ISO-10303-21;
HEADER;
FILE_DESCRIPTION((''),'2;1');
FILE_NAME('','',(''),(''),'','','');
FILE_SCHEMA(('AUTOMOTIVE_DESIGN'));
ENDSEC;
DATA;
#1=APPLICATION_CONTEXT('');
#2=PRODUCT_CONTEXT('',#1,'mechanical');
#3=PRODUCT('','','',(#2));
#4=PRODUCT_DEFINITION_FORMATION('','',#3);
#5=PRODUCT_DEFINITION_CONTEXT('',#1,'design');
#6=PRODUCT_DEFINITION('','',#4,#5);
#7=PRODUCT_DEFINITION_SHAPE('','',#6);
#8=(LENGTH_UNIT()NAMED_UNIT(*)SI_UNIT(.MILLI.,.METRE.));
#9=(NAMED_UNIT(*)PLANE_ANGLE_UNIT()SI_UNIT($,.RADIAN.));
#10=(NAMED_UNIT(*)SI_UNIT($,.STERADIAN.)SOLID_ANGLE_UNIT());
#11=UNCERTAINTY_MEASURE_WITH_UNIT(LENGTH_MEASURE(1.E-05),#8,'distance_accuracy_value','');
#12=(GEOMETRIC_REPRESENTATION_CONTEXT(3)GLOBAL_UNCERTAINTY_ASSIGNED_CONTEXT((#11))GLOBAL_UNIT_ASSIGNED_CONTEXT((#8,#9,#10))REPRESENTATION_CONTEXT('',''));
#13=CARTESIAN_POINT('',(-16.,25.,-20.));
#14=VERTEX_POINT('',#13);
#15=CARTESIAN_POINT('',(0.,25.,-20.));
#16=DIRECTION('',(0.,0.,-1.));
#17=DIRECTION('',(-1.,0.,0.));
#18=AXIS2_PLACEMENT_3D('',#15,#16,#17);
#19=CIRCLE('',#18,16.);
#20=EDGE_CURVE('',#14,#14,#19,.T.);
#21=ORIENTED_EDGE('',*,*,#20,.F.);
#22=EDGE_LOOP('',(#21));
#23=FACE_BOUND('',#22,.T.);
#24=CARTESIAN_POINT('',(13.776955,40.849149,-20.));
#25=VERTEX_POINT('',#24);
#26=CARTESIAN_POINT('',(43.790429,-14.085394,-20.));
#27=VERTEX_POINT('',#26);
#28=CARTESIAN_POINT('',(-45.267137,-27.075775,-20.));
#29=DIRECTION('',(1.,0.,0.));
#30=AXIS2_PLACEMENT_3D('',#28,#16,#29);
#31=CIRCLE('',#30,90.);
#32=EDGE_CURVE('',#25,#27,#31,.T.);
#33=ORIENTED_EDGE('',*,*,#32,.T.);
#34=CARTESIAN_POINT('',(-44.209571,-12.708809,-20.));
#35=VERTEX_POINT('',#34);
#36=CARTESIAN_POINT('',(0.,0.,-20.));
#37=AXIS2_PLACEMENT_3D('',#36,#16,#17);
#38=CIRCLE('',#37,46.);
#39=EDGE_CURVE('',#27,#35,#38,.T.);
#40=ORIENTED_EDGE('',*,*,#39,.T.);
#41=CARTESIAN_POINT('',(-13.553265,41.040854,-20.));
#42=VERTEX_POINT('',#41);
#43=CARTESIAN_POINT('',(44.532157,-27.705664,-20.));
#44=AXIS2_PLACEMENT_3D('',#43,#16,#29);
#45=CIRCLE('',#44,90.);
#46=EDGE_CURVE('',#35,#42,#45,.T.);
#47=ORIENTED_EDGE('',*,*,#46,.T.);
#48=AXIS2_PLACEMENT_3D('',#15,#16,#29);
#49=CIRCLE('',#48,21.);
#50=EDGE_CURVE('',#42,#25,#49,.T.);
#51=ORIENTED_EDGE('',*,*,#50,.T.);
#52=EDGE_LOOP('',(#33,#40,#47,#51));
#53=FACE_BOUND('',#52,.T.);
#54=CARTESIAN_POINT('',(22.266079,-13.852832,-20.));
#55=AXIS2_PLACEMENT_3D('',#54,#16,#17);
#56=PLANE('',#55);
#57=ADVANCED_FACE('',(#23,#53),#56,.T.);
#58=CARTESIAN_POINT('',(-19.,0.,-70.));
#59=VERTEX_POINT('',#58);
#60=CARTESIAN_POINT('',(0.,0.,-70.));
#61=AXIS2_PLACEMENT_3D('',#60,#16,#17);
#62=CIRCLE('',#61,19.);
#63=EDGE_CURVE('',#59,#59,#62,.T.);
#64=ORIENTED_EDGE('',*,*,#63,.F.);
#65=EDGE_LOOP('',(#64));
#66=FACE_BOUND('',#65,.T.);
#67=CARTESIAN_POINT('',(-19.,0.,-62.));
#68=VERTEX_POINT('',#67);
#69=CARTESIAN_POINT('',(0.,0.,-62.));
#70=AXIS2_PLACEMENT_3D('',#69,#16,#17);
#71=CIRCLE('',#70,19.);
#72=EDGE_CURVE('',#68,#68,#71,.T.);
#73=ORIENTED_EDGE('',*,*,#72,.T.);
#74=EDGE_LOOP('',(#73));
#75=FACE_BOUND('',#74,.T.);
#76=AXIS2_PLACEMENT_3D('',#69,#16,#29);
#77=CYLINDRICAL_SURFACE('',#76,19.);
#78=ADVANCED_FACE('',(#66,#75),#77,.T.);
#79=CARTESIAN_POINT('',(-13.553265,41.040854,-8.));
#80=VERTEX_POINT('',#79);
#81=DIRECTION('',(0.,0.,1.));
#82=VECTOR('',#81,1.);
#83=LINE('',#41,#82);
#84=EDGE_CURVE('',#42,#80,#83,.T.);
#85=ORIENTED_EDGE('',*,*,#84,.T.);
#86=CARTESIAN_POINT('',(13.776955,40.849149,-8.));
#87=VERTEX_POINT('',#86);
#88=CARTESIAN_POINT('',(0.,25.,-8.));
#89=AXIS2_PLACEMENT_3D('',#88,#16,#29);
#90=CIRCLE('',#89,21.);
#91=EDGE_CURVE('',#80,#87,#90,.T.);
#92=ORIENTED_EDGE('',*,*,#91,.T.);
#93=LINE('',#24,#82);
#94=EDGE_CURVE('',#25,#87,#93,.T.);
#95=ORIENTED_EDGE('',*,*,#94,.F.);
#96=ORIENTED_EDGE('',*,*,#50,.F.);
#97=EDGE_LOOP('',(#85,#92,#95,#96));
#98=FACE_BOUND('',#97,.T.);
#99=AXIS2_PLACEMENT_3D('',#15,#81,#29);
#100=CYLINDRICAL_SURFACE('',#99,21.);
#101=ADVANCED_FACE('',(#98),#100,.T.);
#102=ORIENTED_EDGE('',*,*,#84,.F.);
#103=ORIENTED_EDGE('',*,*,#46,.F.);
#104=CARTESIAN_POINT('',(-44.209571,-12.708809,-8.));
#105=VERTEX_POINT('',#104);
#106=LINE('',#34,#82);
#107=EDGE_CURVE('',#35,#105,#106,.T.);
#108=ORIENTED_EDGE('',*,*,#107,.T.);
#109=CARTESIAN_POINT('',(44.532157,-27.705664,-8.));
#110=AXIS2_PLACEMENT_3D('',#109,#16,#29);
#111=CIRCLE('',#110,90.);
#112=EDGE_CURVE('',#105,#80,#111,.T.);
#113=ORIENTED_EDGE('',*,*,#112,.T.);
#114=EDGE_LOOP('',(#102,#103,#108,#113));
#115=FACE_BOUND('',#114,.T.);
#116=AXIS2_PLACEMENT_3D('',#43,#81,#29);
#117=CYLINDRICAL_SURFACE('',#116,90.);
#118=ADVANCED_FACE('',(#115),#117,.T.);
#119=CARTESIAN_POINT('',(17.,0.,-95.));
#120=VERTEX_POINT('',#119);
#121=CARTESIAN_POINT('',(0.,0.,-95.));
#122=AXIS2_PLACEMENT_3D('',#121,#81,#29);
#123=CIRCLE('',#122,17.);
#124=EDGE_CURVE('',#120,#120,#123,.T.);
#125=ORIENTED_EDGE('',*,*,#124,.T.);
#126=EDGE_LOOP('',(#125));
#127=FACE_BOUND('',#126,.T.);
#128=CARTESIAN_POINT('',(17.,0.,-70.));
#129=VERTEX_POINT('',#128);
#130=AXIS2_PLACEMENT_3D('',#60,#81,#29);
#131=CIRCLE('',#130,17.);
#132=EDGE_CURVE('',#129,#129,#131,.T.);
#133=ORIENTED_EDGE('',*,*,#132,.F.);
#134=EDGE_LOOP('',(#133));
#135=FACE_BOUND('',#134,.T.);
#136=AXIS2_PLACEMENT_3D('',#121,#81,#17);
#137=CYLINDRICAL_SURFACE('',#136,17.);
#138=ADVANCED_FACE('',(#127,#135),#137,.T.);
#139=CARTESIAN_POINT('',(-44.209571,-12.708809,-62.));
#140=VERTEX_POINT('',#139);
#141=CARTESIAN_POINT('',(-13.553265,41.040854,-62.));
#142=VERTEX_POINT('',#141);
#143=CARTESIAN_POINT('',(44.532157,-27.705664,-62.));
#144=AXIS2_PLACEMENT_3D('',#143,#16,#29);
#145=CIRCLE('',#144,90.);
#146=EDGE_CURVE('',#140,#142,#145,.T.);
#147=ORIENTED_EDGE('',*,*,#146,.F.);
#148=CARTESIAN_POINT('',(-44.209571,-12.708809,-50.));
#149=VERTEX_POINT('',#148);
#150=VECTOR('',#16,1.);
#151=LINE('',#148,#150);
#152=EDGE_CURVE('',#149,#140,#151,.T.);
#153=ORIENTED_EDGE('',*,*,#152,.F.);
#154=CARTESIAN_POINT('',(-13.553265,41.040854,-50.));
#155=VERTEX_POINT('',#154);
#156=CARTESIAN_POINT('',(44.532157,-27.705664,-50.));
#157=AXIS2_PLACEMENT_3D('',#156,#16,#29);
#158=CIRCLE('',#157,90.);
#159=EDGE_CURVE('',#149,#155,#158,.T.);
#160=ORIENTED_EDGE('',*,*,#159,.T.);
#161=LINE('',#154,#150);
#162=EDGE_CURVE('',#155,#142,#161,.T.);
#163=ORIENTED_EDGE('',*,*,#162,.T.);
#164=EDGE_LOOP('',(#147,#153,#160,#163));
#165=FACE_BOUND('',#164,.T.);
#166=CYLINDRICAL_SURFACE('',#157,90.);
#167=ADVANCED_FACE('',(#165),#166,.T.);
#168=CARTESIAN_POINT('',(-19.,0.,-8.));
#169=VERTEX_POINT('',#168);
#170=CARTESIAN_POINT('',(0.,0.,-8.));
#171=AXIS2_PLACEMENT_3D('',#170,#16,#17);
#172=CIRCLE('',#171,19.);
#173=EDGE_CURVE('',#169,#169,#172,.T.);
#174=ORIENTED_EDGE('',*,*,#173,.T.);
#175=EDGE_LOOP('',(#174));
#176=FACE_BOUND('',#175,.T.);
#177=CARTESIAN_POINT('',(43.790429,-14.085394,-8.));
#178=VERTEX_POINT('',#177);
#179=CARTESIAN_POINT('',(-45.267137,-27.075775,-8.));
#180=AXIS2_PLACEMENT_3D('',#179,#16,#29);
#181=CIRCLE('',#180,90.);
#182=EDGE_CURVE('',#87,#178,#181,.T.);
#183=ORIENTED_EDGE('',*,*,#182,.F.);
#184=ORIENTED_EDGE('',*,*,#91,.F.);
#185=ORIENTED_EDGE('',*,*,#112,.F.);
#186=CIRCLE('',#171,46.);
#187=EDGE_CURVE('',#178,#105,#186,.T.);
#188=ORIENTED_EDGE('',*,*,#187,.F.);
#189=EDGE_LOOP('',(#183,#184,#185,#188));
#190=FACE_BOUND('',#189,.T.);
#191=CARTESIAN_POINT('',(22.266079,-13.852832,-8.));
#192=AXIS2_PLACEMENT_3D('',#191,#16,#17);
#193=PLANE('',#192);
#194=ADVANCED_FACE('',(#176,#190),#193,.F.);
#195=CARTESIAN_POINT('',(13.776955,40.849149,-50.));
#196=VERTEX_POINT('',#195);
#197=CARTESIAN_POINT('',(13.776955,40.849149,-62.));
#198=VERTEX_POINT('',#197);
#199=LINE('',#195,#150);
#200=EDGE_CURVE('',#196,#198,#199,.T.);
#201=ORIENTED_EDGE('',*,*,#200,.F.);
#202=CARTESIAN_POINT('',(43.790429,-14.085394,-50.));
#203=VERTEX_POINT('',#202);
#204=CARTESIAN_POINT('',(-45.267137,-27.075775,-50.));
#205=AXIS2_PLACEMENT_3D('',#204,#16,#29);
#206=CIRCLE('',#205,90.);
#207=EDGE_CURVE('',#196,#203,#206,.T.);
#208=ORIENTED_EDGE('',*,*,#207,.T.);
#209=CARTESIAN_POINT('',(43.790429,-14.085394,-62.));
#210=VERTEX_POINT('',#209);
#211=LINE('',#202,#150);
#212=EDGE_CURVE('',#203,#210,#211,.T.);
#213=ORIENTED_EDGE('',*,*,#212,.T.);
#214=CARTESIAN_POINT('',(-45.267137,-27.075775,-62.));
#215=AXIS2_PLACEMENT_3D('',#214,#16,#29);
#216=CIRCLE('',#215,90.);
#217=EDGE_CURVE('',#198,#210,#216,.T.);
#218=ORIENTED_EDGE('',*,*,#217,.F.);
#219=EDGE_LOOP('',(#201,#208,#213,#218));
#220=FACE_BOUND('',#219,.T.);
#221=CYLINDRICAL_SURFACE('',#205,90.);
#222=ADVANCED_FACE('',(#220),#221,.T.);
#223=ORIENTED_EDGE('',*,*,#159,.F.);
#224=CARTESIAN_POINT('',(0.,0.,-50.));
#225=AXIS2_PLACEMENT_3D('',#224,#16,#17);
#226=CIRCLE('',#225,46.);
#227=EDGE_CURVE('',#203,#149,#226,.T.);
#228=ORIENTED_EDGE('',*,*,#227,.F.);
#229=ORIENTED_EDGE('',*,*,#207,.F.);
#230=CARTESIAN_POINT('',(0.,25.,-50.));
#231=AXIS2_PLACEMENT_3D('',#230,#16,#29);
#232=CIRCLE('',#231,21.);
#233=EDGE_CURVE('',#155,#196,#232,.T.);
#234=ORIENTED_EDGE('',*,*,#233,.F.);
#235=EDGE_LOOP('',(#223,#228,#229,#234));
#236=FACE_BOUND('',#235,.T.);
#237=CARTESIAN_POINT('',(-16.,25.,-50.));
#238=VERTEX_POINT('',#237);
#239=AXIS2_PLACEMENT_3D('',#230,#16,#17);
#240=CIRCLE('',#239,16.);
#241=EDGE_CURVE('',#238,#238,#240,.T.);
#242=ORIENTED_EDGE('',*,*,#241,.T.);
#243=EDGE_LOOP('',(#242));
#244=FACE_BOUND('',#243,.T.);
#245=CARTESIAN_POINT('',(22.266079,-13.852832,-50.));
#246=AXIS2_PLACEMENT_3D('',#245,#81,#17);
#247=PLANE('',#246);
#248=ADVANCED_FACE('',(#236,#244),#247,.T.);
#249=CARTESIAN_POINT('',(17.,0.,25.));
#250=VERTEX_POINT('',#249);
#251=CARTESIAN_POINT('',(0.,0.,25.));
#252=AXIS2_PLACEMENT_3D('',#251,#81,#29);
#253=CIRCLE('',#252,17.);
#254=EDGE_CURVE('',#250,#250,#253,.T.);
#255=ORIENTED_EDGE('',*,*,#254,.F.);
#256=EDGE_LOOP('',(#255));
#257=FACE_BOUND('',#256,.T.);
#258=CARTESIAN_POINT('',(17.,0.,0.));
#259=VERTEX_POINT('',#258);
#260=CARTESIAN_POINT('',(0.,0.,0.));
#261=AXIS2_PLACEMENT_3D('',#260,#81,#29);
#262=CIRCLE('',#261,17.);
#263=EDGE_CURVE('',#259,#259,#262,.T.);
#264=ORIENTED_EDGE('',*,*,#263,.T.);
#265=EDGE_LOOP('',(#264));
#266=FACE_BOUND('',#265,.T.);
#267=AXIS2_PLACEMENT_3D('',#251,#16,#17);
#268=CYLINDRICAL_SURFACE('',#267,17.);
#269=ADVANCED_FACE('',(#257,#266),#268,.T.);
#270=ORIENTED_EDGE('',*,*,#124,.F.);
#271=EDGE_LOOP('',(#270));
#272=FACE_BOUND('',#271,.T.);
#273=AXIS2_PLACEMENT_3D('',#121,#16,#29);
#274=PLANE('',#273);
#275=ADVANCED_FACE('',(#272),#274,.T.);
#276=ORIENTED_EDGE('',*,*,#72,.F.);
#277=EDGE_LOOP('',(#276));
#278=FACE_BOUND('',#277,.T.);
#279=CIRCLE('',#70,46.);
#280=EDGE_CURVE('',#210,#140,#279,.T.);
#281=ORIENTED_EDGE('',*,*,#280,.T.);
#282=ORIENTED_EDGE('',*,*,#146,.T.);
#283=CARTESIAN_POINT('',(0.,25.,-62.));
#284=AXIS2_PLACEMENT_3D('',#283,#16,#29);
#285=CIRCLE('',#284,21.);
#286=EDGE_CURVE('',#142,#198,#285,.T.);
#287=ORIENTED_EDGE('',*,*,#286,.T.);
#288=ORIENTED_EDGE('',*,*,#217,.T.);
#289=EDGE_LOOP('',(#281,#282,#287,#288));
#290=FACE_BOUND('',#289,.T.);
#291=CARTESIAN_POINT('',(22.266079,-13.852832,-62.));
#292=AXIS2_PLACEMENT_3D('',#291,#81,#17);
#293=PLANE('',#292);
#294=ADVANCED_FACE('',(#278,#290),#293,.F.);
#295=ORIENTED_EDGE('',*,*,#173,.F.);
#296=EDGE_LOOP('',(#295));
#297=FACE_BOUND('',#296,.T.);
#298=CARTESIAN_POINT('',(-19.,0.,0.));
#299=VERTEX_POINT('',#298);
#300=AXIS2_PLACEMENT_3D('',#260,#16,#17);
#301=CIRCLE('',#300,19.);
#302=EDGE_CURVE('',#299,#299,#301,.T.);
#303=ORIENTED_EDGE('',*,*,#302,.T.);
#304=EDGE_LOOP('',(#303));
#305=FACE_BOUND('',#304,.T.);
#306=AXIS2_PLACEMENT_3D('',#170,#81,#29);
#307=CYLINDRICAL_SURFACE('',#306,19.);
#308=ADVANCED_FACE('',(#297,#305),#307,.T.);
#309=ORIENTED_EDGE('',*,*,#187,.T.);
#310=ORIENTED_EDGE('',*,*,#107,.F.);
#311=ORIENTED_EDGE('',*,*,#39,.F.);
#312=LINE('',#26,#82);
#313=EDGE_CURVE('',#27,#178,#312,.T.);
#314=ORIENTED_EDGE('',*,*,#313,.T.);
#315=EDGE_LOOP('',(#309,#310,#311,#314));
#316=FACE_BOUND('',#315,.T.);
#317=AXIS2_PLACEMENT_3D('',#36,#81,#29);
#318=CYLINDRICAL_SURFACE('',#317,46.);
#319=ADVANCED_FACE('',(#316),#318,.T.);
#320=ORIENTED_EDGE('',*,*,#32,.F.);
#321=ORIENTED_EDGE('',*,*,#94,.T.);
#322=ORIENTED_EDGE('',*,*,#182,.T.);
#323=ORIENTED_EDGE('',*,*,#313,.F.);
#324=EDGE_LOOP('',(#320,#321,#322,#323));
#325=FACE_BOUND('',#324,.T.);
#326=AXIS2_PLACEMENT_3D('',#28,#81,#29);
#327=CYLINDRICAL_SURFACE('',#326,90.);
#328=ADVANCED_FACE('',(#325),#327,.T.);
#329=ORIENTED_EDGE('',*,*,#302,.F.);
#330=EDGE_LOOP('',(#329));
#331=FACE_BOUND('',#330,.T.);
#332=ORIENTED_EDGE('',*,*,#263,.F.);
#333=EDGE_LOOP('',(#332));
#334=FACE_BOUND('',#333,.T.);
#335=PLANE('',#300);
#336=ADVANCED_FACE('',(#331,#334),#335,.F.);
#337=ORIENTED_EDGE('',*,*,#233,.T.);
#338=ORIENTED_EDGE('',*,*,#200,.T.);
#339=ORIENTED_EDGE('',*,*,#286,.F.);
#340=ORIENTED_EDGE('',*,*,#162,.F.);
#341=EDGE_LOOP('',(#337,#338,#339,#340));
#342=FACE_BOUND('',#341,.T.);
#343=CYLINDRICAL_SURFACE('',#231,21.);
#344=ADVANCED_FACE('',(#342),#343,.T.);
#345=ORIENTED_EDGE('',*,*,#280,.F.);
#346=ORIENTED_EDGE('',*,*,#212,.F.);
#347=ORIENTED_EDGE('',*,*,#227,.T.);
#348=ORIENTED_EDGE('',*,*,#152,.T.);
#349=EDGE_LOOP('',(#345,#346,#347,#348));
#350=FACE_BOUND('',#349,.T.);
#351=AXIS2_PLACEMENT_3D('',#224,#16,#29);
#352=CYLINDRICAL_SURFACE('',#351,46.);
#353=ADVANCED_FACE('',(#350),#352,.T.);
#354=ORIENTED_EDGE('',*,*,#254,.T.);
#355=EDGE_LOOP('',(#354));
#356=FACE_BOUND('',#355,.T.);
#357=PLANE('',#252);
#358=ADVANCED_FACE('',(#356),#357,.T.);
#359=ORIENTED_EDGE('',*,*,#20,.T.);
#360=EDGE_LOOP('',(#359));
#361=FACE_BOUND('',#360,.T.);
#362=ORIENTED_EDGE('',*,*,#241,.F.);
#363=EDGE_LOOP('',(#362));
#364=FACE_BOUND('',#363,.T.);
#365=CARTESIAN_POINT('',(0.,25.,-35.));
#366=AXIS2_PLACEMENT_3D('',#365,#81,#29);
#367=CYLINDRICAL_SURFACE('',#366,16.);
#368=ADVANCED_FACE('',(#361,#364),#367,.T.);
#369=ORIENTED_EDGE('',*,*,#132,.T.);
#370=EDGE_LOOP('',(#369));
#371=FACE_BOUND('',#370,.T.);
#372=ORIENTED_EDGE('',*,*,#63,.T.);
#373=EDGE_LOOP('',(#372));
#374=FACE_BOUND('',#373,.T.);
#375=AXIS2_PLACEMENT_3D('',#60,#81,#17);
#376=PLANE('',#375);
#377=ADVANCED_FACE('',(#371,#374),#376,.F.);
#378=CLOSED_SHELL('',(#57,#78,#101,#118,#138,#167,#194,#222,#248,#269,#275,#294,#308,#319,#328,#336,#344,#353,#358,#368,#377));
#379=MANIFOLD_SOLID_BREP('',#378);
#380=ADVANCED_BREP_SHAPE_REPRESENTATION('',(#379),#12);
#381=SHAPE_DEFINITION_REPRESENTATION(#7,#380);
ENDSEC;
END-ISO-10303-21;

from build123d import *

# Parameters (mm, degrees)
SKETCH1_R           = 17
BOSS_EXTRUDE1_DEPTH = 25
SKETCH2_R           = 19
BOSS_EXTRUDE2_DEPTH = 8
BOSS_EXTRUDE3_DEPTH = 12
SKETCH4_R           = 16
BOSS_EXTRUDE4_DEPTH = 15


with BuildPart() as part:
    # Sketch1 → Boss-Extrude1 (new body)
    with BuildSketch(Plane.XY):
        Circle(SKETCH1_R)
    extrude(amount=BOSS_EXTRUDE1_DEPTH)

    # Sketch2 → Boss-Extrude2 (add)
    with BuildSketch(Plane(origin=(0, 0, 0), x_dir=(-1, 0, 0), z_dir=(0, 0, -1))):
        Circle(SKETCH2_R)
    extrude(amount=BOSS_EXTRUDE2_DEPTH)

    # Sketch3 → Boss-Extrude3 (add)
    with BuildSketch(Plane(origin=(0, 0, -8), x_dir=(-1, 0, 0), z_dir=(0, 0, -1))):
        with BuildLine():
            ThreePointArc((-43.790428919, -14.085394388), (-33.713723077, 16.075398615), (-13.776954685, 40.84914886))
            ThreePointArc((-13.776954685, 40.84914886), (-0.147298901, 45.999483399), (13.55326526, 41.040854117))
            ThreePointArc((13.55326526, 41.040854117), (33.645906333, 16.883464851), (44.209571081, -12.708808948))
            ThreePointArc((44.209571081, -12.708808948), (0.719490727, -45.994372842), (-43.790428919, -14.085394388))
        make_face()
    extrude(amount=BOSS_EXTRUDE3_DEPTH)

    # Sketch4 → Boss-Extrude4 (add)
    with BuildSketch(Plane(origin=(0, 0, -20), x_dir=(-1, 0, 0), z_dir=(0, 0, -1))):
        with Locations((0, 25)):
            Circle(SKETCH4_R)
    extrude(amount=BOSS_EXTRUDE4_DEPTH)

    # Mirror1: part across plane


with BuildPart() as part_1:
    add(part.part)
    add(part.part.mirror(Plane(origin=(0, 25, -35), x_dir=(1, 0, 0), z_dir=(0, 0, -1))))


solid = part_1.part
